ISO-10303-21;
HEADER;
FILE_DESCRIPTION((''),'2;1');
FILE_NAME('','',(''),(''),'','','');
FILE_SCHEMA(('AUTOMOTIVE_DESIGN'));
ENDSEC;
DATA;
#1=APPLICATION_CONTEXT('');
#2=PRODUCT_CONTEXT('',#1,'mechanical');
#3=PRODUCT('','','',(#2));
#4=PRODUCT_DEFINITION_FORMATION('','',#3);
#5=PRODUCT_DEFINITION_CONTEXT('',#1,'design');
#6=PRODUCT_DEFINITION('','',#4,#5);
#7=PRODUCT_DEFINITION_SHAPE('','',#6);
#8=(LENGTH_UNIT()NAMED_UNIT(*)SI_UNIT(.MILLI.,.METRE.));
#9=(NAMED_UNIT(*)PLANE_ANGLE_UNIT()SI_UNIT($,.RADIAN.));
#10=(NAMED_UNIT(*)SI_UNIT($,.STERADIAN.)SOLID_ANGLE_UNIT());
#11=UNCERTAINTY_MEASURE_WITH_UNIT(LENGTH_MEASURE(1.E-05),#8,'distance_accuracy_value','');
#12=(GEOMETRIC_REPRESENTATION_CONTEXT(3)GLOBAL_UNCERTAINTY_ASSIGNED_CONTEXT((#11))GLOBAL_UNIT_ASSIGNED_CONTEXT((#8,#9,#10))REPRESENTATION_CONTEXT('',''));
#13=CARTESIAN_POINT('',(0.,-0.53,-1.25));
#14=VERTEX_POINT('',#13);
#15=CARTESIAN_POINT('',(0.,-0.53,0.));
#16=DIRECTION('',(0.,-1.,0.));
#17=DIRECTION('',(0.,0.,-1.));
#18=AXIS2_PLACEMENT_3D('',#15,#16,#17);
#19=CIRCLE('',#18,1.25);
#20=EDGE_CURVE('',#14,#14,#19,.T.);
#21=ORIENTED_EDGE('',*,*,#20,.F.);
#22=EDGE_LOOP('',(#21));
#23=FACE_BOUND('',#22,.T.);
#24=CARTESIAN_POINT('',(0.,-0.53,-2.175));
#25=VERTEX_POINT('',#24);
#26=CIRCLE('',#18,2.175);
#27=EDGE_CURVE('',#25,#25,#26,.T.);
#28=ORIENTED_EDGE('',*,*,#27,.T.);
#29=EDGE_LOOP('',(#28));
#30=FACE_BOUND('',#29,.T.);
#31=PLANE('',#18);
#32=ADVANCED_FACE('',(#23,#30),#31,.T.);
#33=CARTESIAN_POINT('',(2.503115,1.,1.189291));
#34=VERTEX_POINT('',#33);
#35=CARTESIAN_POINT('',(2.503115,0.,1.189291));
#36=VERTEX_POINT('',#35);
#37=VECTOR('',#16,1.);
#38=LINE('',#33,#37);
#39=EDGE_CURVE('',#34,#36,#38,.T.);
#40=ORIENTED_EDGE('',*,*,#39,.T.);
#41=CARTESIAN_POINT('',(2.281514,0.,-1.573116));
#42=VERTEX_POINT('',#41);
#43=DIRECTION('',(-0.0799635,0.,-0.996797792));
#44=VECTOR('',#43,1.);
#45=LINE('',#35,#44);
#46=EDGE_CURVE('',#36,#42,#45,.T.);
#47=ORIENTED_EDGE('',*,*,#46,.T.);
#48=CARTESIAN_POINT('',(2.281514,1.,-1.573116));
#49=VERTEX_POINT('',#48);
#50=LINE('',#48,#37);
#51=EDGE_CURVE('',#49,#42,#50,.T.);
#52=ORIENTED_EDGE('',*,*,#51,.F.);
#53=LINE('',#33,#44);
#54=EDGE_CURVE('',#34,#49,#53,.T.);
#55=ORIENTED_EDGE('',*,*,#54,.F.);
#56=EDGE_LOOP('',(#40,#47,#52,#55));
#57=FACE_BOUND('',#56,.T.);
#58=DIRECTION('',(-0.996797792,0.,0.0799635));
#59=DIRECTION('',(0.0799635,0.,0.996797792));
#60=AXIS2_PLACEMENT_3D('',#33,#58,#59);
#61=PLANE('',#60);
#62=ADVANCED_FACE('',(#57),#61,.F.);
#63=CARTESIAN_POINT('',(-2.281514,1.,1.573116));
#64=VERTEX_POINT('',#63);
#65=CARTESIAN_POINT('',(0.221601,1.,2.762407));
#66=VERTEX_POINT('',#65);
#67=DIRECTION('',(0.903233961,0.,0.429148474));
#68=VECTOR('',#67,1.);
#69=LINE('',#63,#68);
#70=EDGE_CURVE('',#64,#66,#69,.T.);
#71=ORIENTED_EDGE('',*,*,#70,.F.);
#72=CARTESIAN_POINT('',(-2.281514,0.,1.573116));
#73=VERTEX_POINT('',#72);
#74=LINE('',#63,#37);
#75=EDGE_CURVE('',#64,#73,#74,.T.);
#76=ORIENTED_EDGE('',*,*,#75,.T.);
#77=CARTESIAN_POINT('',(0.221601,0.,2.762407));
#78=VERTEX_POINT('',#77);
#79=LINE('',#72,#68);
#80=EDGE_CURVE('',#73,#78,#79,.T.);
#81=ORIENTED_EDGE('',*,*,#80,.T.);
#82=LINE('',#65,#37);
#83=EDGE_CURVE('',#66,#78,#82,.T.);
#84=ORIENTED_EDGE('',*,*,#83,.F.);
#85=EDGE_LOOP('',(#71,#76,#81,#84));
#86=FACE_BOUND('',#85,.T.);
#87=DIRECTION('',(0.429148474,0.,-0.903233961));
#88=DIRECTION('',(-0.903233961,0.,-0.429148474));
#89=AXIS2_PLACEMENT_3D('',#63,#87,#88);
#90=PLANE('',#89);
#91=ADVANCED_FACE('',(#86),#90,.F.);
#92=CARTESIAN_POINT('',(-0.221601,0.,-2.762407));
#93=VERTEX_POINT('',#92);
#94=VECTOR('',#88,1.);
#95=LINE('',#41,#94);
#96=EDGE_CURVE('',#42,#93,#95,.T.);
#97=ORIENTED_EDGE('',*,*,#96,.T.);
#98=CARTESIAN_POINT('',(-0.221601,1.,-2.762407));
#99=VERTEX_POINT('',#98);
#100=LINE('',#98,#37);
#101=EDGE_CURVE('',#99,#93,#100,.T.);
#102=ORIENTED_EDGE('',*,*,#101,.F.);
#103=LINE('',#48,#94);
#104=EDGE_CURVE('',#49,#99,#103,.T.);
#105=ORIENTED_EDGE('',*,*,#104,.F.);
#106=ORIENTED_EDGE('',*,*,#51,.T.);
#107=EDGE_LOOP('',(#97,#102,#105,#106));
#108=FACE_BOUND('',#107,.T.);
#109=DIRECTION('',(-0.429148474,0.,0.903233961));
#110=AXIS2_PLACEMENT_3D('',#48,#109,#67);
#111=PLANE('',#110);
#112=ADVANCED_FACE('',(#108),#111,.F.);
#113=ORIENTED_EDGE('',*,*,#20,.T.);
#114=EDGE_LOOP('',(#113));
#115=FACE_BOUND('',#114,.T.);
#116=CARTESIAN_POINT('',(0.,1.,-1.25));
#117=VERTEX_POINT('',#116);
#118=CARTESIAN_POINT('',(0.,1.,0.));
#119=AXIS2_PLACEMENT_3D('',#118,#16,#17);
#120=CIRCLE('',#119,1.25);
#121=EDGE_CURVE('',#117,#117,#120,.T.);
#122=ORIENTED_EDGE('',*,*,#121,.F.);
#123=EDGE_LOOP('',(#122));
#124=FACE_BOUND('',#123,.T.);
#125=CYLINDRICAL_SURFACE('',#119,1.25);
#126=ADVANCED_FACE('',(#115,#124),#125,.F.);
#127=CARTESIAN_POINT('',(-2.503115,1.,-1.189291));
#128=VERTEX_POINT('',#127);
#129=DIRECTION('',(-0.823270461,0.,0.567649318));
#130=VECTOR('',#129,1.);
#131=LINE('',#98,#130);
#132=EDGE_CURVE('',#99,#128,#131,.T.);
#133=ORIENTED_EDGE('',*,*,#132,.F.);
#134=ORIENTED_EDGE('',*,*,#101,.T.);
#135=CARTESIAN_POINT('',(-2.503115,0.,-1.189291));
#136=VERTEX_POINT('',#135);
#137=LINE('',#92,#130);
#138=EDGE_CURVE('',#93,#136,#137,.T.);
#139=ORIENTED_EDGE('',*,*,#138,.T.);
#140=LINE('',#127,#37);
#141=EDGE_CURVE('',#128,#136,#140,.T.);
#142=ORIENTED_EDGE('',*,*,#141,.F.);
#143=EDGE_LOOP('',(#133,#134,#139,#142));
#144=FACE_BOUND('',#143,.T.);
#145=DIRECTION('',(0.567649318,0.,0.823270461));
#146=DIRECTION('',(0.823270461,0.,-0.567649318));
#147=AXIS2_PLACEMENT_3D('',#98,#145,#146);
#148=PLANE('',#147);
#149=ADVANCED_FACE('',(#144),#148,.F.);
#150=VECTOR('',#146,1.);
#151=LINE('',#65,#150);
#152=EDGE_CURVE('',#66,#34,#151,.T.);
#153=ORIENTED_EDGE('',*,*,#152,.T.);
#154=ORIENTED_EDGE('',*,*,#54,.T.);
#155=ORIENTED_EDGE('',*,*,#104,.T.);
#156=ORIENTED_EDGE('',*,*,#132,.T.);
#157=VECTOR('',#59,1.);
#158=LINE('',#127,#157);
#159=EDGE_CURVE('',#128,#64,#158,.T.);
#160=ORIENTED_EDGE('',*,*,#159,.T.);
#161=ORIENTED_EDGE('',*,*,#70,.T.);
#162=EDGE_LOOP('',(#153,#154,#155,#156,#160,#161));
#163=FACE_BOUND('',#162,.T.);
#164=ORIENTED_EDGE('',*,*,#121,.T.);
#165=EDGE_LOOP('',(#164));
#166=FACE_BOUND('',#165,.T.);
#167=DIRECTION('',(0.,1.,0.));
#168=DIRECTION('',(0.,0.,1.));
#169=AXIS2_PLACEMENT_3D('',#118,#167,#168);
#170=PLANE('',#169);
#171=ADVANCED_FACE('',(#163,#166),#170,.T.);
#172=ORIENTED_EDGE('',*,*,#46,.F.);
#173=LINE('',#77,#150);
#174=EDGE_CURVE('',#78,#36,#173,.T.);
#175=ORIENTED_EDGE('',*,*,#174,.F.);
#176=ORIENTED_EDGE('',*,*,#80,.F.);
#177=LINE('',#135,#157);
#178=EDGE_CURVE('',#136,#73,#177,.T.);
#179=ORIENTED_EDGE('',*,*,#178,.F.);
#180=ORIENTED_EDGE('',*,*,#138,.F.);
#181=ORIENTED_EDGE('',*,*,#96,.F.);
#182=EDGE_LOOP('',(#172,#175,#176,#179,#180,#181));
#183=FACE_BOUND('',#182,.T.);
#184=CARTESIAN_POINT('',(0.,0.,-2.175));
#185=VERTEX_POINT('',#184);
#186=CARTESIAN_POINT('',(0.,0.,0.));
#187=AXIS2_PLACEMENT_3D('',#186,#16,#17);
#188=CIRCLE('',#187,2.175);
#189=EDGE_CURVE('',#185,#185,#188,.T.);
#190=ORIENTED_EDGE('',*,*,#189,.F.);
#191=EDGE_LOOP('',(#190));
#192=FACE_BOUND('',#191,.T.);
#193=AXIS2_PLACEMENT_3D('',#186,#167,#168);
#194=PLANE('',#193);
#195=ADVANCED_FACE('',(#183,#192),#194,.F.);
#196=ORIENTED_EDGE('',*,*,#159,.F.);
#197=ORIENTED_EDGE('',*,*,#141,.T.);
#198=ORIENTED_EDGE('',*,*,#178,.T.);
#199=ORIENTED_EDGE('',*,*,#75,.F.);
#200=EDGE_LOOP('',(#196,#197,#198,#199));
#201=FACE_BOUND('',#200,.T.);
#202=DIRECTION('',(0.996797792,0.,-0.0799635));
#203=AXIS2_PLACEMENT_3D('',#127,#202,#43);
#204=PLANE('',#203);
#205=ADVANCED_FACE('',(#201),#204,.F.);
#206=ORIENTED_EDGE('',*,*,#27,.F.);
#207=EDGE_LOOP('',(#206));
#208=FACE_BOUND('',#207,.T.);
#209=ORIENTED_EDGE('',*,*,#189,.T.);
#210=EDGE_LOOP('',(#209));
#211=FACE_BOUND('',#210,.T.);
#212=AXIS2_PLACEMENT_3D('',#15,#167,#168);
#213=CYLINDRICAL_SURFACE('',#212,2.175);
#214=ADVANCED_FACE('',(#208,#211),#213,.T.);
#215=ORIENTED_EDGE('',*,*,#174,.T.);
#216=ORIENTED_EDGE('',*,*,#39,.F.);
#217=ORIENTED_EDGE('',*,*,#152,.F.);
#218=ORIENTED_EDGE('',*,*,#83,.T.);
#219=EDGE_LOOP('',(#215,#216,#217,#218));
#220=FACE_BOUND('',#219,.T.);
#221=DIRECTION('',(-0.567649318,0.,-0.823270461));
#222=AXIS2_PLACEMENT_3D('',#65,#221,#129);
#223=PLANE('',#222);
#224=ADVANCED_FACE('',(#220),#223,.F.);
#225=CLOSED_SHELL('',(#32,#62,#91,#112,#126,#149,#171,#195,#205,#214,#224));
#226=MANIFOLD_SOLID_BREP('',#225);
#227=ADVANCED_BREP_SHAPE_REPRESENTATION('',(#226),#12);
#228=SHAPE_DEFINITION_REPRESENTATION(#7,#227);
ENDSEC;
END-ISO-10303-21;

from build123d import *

# Parameters (mm, degrees)
EXTRUDE_1_DEPTH     = 1
SKETCH_2_R          = 2.175
EXTRUDE_2_DEPTH     = 0.53
SKETCH_3_R          = 1.25
CUT_EXTRUDE_1_DEPTH = 5.029563181


with BuildPart() as part:
    # 草图1 → 凸台-拉伸1 (new body)
    with BuildSketch(Plane(origin=(0, 0, 0), x_dir=(1, 0, 0), z_dir=(0, 1, 0))):
        Polygon((2.503115377, -1.189291137), (2.281514026, 1.573115937), (-0.221601352, 2.762407074), (-2.503115377, 1.189291137), (-2.281514026, -1.573115937), (0.221601352, -2.762407074), align=None)
    extrude(amount=EXTRUDE_1_DEPTH)

    # 草图2 → 凸台-拉伸2 (add)
    with BuildSketch(Plane.XZ):
        with Locations(Location((0, 0, 0), (0, 0, 270))):
            Circle(SKETCH_2_R)
    extrude(amount=EXTRUDE_2_DEPTH)

    # 草图3 → 切除-拉伸1 (cut, through all)
    with BuildSketch(Plane(origin=(0, -0.53, 0), x_dir=(-1, 0, 0), z_dir=(0, -1, 0))):
        with Locations(Location((0, 0, 0), (0, 0, 90))):
            Circle(SKETCH_3_R)
    extrude(amount=-CUT_EXTRUDE_1_DEPTH, mode=Mode.SUBTRACT)


solid = part.part
